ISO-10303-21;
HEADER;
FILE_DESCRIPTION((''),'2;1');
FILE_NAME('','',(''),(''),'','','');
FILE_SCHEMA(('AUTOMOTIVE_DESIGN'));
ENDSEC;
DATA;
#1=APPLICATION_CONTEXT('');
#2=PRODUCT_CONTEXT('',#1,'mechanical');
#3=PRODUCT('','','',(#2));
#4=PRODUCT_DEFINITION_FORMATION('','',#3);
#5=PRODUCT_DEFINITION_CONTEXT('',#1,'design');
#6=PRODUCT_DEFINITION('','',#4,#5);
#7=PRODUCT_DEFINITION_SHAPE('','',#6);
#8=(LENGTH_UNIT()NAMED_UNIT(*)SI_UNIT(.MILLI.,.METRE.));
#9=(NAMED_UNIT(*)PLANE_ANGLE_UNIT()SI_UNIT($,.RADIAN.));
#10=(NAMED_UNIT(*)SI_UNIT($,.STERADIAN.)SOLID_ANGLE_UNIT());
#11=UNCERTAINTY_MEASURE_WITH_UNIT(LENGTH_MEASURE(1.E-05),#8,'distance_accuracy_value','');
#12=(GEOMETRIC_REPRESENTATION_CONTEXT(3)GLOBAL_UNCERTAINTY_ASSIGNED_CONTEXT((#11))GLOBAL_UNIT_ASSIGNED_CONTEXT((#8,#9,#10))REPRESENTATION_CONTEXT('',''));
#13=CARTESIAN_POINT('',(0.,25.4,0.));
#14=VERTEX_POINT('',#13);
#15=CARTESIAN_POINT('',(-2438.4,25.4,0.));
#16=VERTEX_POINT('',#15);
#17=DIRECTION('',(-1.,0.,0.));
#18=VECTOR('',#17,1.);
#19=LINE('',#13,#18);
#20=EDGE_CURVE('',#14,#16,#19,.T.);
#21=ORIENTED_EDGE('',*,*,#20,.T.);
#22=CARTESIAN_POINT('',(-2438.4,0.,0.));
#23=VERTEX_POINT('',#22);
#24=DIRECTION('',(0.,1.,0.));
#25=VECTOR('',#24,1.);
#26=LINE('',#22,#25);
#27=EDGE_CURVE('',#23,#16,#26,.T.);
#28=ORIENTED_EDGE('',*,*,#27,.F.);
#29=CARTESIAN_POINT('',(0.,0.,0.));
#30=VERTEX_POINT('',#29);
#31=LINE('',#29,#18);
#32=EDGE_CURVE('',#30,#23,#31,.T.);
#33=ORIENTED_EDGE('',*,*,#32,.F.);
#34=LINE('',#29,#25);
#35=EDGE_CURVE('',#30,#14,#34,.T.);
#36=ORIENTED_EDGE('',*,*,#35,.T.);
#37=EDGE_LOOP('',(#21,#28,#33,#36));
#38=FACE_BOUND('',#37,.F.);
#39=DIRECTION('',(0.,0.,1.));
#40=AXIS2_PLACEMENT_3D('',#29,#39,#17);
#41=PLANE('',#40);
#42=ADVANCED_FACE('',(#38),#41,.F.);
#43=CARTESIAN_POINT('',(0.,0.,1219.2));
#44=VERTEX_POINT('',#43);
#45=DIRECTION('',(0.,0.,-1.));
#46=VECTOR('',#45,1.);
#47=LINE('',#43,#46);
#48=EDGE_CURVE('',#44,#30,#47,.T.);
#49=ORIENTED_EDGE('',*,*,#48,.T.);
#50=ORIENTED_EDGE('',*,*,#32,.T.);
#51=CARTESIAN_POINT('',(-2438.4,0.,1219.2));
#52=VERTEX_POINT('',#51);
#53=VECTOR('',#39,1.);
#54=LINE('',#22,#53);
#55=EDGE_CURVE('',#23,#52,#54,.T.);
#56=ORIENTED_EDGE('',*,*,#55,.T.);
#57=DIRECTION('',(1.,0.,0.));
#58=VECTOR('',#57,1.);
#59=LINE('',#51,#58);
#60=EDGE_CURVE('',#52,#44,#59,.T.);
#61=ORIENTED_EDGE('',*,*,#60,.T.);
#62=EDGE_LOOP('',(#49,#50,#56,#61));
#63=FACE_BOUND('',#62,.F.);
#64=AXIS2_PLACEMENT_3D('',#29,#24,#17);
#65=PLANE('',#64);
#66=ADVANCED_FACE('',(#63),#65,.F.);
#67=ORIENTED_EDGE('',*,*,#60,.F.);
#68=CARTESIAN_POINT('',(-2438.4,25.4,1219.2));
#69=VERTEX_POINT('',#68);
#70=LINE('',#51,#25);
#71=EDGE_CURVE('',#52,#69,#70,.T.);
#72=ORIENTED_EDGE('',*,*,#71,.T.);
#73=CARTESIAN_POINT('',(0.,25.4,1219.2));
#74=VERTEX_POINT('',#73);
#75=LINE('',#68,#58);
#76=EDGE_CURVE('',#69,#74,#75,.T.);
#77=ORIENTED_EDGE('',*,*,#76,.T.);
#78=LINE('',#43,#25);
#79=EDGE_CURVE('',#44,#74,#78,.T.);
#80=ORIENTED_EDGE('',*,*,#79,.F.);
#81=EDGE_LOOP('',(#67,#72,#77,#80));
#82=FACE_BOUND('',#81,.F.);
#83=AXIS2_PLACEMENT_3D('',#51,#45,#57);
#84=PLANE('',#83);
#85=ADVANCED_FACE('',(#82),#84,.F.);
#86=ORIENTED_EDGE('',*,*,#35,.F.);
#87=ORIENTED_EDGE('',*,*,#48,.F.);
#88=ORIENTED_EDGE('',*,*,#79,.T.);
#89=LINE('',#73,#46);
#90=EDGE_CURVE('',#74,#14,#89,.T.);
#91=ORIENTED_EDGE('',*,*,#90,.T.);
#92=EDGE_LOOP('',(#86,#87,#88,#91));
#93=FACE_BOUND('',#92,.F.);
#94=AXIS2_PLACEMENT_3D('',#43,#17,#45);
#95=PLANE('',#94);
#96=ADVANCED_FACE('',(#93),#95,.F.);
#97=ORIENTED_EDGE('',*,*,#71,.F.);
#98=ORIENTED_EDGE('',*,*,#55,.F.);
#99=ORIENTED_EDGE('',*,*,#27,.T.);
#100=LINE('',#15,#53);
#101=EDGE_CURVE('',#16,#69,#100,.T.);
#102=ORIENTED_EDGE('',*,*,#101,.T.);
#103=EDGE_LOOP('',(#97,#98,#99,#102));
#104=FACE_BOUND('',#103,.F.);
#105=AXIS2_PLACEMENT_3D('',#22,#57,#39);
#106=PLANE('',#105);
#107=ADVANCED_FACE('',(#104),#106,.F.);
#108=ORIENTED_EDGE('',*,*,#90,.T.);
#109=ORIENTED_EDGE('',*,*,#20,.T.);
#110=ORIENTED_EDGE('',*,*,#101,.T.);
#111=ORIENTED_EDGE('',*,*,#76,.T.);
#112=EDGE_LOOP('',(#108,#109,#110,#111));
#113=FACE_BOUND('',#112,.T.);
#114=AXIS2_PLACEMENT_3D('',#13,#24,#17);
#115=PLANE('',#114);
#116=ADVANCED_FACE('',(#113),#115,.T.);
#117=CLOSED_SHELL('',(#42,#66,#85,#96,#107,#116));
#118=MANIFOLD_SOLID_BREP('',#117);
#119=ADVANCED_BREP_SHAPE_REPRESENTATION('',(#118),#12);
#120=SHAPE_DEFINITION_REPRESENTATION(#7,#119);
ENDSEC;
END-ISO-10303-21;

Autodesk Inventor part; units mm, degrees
ref_plane "YZ Plane" through (0, 0, 0) normal (1, 0, 0) x (0, 1, 0)
ref_plane "XZ Plane" through (0, 0, 0) normal (0, 1, 0) x (-1, 0, 0)
ref_plane "XY Plane" through (0, 0, 0) normal (0, 0, 1) x (1, 0, 0)
sketch "Sketch1" plane through (0, 0, 0) normal (0, 1, 0) x (-1, 0, 0)
  line L0 (0, 0) -> (2438.4, 0)
  line L1 (2438.4, 0) -> (2438.4, 1219.2)
  line L2 (2438.4, 1219.2) -> (0, 1219.2)
  line L3 (0, 1219.2) -> (0, 0)
  dimension "d0" = 2438.4
  dimension "d1" = 1219.2
extrude "Extrusion1" add sketch "Sketch1" along normal blind 25.4
properties part number "Ground"
